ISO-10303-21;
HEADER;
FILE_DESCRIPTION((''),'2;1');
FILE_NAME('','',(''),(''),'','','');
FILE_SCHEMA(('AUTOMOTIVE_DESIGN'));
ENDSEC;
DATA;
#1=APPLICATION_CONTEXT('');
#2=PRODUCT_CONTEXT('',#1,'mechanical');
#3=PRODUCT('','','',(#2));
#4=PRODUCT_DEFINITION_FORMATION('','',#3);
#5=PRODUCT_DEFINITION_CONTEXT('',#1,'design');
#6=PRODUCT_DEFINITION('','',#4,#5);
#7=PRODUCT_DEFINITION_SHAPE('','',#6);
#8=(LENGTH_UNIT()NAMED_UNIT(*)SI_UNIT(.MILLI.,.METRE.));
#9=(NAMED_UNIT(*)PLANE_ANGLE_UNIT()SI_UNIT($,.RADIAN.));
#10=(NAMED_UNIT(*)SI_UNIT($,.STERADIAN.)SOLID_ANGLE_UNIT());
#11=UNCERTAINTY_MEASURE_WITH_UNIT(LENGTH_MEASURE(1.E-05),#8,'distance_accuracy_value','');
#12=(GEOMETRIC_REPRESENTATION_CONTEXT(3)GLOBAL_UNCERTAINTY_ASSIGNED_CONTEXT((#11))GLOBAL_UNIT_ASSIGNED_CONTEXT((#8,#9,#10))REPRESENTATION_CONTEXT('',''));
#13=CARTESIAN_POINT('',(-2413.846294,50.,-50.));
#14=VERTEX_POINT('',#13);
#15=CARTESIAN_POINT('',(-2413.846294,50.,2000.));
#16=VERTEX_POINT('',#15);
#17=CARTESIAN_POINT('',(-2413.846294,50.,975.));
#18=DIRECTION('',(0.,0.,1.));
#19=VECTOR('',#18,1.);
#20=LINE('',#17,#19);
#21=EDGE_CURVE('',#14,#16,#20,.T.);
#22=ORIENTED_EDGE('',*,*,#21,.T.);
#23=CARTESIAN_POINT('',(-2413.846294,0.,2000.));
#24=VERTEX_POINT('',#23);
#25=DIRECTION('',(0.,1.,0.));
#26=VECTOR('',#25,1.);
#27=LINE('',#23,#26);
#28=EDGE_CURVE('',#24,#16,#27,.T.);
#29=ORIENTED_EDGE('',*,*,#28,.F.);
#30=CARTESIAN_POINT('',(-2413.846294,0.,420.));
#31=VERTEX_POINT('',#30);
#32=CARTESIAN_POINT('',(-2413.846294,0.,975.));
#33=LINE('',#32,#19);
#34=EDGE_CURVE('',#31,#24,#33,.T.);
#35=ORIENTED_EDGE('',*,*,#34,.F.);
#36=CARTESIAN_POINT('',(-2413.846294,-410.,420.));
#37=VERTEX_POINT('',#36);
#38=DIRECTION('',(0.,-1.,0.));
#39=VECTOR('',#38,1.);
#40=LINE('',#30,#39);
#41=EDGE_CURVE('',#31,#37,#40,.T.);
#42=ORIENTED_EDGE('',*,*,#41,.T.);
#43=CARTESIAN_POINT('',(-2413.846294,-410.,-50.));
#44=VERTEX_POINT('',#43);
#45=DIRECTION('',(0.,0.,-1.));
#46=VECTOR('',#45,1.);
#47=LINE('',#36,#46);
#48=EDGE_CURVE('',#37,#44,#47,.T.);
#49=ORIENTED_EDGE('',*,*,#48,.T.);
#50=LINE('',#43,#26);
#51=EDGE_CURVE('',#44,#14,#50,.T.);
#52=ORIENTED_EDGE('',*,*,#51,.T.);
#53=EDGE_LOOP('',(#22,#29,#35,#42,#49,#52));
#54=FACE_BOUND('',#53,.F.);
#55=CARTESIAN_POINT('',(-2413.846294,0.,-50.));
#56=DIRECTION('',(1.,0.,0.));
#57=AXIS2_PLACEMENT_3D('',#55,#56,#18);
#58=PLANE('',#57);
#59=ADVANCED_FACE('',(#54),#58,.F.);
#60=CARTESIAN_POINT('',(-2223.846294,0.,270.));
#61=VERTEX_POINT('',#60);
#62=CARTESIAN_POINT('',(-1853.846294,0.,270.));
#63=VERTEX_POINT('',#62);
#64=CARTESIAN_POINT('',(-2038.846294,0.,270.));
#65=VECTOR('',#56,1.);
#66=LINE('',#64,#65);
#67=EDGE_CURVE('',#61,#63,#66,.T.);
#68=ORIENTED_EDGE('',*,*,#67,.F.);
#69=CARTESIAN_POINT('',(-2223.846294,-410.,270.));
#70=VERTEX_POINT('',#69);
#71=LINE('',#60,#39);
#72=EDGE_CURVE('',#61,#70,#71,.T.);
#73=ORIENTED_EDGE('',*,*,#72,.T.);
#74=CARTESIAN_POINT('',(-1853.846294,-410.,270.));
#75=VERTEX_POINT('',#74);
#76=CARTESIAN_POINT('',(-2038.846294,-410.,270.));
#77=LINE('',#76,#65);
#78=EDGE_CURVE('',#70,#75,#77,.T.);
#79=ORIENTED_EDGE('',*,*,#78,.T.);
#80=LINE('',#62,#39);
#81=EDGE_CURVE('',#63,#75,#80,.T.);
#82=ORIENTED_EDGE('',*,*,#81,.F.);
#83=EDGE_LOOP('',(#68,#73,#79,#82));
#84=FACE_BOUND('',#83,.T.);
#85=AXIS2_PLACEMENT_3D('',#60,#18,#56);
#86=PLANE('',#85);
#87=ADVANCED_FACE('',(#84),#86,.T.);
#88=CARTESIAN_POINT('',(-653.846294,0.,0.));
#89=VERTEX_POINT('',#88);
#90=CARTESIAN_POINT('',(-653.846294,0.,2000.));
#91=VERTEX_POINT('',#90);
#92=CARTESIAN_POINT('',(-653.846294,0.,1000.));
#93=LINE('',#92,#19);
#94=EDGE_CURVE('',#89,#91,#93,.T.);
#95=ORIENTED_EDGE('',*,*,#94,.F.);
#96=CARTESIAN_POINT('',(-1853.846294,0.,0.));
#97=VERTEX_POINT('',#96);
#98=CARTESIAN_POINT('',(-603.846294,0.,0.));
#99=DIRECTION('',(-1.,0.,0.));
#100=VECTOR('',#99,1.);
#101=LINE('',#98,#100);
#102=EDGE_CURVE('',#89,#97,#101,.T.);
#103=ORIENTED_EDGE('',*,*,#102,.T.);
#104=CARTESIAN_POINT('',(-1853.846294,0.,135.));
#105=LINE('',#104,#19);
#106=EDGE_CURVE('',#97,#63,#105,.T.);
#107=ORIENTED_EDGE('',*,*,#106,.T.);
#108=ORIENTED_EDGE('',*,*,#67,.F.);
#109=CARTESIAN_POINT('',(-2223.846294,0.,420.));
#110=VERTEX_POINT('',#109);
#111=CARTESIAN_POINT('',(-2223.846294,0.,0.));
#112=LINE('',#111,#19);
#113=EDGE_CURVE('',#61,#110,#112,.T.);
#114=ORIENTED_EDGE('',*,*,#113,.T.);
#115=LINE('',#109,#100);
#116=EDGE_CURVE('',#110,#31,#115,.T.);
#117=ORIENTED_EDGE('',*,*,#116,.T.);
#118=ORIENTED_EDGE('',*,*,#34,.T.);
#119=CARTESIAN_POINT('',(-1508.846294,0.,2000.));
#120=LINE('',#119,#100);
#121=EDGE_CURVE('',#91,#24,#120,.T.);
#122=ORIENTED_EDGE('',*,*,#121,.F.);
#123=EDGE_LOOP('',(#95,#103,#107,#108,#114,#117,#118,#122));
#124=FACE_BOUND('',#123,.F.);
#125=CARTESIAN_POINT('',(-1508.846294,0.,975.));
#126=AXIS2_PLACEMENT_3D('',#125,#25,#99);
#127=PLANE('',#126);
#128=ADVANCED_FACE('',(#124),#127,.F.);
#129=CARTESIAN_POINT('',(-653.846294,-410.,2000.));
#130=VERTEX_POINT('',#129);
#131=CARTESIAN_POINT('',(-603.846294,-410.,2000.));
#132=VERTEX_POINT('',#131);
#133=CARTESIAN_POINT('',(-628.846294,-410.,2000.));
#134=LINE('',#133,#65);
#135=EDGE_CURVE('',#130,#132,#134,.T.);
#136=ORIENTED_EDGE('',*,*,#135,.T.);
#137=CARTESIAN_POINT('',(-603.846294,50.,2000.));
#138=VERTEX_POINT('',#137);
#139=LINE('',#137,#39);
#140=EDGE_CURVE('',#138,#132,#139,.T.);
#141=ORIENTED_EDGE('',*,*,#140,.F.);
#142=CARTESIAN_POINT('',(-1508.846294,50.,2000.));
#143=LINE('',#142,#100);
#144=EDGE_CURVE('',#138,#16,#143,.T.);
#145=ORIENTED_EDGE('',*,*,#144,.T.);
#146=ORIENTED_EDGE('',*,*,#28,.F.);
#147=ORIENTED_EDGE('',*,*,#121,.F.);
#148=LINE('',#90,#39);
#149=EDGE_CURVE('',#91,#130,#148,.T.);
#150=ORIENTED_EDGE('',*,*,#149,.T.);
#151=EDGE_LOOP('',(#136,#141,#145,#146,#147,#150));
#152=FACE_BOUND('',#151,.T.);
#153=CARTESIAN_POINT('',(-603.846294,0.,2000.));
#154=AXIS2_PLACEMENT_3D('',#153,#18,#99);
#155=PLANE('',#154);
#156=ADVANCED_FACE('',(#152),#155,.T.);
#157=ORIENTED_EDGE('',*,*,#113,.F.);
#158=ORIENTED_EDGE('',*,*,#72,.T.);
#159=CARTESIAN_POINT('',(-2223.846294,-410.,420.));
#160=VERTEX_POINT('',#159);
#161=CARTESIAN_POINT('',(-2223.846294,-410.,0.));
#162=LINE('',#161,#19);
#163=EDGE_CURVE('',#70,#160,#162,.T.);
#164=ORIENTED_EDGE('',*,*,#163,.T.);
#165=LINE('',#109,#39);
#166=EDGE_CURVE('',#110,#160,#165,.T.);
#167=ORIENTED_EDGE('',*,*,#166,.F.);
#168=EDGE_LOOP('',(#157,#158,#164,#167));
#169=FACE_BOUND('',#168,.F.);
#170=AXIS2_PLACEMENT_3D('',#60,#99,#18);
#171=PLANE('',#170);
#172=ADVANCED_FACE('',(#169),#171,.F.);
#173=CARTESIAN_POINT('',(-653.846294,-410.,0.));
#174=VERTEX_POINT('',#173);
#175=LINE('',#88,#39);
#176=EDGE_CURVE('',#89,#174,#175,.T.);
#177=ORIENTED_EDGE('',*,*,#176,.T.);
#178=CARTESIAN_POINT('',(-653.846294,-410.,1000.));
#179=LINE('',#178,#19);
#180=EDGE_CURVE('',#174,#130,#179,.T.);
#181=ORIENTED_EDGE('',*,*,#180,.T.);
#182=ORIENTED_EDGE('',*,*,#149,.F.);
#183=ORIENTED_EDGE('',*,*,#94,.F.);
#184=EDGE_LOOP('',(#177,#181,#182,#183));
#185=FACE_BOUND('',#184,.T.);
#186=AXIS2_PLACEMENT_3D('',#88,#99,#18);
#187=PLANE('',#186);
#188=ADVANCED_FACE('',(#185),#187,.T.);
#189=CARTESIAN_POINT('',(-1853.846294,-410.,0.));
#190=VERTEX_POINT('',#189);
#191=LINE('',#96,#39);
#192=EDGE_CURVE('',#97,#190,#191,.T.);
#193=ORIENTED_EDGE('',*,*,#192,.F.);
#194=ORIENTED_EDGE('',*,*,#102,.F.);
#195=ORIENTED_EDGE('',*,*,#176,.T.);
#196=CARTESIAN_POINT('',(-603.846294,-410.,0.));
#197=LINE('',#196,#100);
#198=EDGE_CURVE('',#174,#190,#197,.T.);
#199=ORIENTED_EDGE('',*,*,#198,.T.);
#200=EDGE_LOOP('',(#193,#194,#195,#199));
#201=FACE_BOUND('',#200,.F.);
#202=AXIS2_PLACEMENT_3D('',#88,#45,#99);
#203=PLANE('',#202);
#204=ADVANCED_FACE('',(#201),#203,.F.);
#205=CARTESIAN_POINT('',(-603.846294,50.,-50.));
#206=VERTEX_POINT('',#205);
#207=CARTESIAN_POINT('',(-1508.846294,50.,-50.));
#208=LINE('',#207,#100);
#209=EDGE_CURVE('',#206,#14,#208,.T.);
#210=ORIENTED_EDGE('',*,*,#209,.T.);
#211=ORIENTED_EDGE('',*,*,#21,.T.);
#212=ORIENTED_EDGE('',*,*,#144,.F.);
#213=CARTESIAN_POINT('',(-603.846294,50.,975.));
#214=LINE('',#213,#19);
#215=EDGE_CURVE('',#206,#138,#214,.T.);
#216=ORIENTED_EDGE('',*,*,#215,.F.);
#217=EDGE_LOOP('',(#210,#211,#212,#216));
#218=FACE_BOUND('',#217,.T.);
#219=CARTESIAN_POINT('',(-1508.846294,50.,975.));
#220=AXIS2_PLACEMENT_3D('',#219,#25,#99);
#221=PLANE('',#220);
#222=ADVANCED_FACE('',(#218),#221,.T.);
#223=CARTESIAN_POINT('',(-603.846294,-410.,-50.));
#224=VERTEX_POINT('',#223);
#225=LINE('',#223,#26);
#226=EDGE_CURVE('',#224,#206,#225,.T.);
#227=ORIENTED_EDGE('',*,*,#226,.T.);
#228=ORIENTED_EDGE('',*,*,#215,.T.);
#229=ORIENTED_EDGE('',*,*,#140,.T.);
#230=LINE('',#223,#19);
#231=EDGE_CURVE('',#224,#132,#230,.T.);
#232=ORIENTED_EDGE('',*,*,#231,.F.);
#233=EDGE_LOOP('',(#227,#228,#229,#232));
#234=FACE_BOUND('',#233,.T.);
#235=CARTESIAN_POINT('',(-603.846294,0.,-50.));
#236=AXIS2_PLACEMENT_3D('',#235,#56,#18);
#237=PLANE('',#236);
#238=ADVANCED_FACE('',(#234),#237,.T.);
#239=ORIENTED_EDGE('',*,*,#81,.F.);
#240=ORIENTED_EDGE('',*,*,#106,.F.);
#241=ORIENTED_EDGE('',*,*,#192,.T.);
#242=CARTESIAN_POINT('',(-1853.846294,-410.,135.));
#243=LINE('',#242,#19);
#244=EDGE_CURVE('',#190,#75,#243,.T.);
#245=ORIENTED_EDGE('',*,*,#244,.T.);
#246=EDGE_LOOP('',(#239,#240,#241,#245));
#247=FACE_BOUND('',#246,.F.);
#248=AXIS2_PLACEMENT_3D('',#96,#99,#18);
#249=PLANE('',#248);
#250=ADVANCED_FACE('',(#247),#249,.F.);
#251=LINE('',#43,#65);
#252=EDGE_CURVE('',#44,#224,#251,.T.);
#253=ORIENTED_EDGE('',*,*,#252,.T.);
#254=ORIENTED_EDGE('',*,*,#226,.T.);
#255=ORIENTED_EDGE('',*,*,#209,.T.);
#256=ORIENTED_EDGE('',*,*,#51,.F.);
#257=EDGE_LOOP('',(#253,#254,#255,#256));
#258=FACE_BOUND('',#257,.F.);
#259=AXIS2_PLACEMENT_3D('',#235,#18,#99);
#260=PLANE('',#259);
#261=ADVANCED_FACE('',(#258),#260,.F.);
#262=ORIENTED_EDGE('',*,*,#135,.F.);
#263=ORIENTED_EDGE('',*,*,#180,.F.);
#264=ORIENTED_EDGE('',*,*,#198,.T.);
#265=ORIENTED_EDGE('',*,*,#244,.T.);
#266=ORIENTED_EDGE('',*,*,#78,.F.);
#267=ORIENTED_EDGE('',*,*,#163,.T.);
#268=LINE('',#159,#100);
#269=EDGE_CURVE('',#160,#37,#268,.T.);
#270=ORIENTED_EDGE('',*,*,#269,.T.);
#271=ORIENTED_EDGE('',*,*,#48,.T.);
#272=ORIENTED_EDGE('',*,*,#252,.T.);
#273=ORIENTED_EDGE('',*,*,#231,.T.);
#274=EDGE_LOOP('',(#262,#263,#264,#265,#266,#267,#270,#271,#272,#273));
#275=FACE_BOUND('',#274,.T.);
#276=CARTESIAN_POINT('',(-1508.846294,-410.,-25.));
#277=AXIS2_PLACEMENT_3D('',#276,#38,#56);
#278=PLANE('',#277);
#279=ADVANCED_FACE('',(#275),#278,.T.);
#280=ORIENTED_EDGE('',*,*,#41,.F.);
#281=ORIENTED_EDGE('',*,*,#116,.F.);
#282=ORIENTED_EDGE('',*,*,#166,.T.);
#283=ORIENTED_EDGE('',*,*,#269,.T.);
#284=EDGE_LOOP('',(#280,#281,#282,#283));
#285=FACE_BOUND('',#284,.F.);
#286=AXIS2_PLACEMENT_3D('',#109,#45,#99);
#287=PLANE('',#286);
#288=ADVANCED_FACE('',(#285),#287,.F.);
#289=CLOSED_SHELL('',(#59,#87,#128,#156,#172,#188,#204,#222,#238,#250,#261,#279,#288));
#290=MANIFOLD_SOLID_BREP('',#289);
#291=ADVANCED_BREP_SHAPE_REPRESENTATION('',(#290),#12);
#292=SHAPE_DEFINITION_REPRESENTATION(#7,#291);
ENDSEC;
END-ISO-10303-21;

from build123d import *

# Parameters (mm, degrees)
F0_W     = 370
F0_H     = 270
F0_W_2   = 50
F0_H_2   = 2000
F1_DEPTH = 410
F2_W     = 1810
F2_H     = 2050
F3_DEPTH = 50


with BuildPart() as f1:
    # F0 (on Front) → F1 (new body)
    with BuildSketch(Plane.XZ):
        Polygon((-1853.846294, 0), (-2223.846294, 0), (-2413.846294, 0), (-2413.846294, -50), (-603.846294, -50), (-603.846294, 0), (-653.846294, 0), align=None)
        Polygon((-2413.846294, 0), (-2223.846294, 0), (-2223.846294, 270), (-2223.846294, 420), (-2413.846294, 420), align=None)
        with Locations((-2038.846294, 135)):
            Rectangle(F0_W, F0_H)
        with Locations((-628.846294, 1000)):
            Rectangle(F0_W_2, F0_H_2)
    extrude(amount=F1_DEPTH)

    # F2 (on face) → F3 (join)
    with BuildSketch(Plane(origin=(0, 0, 0), x_dir=(-1, 0, 0), z_dir=(0, 1, 0))):
        with Locations((1508.846294, 975)):
            Rectangle(F2_W, F2_H)
    extrude(amount=F3_DEPTH)


solid = f1.part
